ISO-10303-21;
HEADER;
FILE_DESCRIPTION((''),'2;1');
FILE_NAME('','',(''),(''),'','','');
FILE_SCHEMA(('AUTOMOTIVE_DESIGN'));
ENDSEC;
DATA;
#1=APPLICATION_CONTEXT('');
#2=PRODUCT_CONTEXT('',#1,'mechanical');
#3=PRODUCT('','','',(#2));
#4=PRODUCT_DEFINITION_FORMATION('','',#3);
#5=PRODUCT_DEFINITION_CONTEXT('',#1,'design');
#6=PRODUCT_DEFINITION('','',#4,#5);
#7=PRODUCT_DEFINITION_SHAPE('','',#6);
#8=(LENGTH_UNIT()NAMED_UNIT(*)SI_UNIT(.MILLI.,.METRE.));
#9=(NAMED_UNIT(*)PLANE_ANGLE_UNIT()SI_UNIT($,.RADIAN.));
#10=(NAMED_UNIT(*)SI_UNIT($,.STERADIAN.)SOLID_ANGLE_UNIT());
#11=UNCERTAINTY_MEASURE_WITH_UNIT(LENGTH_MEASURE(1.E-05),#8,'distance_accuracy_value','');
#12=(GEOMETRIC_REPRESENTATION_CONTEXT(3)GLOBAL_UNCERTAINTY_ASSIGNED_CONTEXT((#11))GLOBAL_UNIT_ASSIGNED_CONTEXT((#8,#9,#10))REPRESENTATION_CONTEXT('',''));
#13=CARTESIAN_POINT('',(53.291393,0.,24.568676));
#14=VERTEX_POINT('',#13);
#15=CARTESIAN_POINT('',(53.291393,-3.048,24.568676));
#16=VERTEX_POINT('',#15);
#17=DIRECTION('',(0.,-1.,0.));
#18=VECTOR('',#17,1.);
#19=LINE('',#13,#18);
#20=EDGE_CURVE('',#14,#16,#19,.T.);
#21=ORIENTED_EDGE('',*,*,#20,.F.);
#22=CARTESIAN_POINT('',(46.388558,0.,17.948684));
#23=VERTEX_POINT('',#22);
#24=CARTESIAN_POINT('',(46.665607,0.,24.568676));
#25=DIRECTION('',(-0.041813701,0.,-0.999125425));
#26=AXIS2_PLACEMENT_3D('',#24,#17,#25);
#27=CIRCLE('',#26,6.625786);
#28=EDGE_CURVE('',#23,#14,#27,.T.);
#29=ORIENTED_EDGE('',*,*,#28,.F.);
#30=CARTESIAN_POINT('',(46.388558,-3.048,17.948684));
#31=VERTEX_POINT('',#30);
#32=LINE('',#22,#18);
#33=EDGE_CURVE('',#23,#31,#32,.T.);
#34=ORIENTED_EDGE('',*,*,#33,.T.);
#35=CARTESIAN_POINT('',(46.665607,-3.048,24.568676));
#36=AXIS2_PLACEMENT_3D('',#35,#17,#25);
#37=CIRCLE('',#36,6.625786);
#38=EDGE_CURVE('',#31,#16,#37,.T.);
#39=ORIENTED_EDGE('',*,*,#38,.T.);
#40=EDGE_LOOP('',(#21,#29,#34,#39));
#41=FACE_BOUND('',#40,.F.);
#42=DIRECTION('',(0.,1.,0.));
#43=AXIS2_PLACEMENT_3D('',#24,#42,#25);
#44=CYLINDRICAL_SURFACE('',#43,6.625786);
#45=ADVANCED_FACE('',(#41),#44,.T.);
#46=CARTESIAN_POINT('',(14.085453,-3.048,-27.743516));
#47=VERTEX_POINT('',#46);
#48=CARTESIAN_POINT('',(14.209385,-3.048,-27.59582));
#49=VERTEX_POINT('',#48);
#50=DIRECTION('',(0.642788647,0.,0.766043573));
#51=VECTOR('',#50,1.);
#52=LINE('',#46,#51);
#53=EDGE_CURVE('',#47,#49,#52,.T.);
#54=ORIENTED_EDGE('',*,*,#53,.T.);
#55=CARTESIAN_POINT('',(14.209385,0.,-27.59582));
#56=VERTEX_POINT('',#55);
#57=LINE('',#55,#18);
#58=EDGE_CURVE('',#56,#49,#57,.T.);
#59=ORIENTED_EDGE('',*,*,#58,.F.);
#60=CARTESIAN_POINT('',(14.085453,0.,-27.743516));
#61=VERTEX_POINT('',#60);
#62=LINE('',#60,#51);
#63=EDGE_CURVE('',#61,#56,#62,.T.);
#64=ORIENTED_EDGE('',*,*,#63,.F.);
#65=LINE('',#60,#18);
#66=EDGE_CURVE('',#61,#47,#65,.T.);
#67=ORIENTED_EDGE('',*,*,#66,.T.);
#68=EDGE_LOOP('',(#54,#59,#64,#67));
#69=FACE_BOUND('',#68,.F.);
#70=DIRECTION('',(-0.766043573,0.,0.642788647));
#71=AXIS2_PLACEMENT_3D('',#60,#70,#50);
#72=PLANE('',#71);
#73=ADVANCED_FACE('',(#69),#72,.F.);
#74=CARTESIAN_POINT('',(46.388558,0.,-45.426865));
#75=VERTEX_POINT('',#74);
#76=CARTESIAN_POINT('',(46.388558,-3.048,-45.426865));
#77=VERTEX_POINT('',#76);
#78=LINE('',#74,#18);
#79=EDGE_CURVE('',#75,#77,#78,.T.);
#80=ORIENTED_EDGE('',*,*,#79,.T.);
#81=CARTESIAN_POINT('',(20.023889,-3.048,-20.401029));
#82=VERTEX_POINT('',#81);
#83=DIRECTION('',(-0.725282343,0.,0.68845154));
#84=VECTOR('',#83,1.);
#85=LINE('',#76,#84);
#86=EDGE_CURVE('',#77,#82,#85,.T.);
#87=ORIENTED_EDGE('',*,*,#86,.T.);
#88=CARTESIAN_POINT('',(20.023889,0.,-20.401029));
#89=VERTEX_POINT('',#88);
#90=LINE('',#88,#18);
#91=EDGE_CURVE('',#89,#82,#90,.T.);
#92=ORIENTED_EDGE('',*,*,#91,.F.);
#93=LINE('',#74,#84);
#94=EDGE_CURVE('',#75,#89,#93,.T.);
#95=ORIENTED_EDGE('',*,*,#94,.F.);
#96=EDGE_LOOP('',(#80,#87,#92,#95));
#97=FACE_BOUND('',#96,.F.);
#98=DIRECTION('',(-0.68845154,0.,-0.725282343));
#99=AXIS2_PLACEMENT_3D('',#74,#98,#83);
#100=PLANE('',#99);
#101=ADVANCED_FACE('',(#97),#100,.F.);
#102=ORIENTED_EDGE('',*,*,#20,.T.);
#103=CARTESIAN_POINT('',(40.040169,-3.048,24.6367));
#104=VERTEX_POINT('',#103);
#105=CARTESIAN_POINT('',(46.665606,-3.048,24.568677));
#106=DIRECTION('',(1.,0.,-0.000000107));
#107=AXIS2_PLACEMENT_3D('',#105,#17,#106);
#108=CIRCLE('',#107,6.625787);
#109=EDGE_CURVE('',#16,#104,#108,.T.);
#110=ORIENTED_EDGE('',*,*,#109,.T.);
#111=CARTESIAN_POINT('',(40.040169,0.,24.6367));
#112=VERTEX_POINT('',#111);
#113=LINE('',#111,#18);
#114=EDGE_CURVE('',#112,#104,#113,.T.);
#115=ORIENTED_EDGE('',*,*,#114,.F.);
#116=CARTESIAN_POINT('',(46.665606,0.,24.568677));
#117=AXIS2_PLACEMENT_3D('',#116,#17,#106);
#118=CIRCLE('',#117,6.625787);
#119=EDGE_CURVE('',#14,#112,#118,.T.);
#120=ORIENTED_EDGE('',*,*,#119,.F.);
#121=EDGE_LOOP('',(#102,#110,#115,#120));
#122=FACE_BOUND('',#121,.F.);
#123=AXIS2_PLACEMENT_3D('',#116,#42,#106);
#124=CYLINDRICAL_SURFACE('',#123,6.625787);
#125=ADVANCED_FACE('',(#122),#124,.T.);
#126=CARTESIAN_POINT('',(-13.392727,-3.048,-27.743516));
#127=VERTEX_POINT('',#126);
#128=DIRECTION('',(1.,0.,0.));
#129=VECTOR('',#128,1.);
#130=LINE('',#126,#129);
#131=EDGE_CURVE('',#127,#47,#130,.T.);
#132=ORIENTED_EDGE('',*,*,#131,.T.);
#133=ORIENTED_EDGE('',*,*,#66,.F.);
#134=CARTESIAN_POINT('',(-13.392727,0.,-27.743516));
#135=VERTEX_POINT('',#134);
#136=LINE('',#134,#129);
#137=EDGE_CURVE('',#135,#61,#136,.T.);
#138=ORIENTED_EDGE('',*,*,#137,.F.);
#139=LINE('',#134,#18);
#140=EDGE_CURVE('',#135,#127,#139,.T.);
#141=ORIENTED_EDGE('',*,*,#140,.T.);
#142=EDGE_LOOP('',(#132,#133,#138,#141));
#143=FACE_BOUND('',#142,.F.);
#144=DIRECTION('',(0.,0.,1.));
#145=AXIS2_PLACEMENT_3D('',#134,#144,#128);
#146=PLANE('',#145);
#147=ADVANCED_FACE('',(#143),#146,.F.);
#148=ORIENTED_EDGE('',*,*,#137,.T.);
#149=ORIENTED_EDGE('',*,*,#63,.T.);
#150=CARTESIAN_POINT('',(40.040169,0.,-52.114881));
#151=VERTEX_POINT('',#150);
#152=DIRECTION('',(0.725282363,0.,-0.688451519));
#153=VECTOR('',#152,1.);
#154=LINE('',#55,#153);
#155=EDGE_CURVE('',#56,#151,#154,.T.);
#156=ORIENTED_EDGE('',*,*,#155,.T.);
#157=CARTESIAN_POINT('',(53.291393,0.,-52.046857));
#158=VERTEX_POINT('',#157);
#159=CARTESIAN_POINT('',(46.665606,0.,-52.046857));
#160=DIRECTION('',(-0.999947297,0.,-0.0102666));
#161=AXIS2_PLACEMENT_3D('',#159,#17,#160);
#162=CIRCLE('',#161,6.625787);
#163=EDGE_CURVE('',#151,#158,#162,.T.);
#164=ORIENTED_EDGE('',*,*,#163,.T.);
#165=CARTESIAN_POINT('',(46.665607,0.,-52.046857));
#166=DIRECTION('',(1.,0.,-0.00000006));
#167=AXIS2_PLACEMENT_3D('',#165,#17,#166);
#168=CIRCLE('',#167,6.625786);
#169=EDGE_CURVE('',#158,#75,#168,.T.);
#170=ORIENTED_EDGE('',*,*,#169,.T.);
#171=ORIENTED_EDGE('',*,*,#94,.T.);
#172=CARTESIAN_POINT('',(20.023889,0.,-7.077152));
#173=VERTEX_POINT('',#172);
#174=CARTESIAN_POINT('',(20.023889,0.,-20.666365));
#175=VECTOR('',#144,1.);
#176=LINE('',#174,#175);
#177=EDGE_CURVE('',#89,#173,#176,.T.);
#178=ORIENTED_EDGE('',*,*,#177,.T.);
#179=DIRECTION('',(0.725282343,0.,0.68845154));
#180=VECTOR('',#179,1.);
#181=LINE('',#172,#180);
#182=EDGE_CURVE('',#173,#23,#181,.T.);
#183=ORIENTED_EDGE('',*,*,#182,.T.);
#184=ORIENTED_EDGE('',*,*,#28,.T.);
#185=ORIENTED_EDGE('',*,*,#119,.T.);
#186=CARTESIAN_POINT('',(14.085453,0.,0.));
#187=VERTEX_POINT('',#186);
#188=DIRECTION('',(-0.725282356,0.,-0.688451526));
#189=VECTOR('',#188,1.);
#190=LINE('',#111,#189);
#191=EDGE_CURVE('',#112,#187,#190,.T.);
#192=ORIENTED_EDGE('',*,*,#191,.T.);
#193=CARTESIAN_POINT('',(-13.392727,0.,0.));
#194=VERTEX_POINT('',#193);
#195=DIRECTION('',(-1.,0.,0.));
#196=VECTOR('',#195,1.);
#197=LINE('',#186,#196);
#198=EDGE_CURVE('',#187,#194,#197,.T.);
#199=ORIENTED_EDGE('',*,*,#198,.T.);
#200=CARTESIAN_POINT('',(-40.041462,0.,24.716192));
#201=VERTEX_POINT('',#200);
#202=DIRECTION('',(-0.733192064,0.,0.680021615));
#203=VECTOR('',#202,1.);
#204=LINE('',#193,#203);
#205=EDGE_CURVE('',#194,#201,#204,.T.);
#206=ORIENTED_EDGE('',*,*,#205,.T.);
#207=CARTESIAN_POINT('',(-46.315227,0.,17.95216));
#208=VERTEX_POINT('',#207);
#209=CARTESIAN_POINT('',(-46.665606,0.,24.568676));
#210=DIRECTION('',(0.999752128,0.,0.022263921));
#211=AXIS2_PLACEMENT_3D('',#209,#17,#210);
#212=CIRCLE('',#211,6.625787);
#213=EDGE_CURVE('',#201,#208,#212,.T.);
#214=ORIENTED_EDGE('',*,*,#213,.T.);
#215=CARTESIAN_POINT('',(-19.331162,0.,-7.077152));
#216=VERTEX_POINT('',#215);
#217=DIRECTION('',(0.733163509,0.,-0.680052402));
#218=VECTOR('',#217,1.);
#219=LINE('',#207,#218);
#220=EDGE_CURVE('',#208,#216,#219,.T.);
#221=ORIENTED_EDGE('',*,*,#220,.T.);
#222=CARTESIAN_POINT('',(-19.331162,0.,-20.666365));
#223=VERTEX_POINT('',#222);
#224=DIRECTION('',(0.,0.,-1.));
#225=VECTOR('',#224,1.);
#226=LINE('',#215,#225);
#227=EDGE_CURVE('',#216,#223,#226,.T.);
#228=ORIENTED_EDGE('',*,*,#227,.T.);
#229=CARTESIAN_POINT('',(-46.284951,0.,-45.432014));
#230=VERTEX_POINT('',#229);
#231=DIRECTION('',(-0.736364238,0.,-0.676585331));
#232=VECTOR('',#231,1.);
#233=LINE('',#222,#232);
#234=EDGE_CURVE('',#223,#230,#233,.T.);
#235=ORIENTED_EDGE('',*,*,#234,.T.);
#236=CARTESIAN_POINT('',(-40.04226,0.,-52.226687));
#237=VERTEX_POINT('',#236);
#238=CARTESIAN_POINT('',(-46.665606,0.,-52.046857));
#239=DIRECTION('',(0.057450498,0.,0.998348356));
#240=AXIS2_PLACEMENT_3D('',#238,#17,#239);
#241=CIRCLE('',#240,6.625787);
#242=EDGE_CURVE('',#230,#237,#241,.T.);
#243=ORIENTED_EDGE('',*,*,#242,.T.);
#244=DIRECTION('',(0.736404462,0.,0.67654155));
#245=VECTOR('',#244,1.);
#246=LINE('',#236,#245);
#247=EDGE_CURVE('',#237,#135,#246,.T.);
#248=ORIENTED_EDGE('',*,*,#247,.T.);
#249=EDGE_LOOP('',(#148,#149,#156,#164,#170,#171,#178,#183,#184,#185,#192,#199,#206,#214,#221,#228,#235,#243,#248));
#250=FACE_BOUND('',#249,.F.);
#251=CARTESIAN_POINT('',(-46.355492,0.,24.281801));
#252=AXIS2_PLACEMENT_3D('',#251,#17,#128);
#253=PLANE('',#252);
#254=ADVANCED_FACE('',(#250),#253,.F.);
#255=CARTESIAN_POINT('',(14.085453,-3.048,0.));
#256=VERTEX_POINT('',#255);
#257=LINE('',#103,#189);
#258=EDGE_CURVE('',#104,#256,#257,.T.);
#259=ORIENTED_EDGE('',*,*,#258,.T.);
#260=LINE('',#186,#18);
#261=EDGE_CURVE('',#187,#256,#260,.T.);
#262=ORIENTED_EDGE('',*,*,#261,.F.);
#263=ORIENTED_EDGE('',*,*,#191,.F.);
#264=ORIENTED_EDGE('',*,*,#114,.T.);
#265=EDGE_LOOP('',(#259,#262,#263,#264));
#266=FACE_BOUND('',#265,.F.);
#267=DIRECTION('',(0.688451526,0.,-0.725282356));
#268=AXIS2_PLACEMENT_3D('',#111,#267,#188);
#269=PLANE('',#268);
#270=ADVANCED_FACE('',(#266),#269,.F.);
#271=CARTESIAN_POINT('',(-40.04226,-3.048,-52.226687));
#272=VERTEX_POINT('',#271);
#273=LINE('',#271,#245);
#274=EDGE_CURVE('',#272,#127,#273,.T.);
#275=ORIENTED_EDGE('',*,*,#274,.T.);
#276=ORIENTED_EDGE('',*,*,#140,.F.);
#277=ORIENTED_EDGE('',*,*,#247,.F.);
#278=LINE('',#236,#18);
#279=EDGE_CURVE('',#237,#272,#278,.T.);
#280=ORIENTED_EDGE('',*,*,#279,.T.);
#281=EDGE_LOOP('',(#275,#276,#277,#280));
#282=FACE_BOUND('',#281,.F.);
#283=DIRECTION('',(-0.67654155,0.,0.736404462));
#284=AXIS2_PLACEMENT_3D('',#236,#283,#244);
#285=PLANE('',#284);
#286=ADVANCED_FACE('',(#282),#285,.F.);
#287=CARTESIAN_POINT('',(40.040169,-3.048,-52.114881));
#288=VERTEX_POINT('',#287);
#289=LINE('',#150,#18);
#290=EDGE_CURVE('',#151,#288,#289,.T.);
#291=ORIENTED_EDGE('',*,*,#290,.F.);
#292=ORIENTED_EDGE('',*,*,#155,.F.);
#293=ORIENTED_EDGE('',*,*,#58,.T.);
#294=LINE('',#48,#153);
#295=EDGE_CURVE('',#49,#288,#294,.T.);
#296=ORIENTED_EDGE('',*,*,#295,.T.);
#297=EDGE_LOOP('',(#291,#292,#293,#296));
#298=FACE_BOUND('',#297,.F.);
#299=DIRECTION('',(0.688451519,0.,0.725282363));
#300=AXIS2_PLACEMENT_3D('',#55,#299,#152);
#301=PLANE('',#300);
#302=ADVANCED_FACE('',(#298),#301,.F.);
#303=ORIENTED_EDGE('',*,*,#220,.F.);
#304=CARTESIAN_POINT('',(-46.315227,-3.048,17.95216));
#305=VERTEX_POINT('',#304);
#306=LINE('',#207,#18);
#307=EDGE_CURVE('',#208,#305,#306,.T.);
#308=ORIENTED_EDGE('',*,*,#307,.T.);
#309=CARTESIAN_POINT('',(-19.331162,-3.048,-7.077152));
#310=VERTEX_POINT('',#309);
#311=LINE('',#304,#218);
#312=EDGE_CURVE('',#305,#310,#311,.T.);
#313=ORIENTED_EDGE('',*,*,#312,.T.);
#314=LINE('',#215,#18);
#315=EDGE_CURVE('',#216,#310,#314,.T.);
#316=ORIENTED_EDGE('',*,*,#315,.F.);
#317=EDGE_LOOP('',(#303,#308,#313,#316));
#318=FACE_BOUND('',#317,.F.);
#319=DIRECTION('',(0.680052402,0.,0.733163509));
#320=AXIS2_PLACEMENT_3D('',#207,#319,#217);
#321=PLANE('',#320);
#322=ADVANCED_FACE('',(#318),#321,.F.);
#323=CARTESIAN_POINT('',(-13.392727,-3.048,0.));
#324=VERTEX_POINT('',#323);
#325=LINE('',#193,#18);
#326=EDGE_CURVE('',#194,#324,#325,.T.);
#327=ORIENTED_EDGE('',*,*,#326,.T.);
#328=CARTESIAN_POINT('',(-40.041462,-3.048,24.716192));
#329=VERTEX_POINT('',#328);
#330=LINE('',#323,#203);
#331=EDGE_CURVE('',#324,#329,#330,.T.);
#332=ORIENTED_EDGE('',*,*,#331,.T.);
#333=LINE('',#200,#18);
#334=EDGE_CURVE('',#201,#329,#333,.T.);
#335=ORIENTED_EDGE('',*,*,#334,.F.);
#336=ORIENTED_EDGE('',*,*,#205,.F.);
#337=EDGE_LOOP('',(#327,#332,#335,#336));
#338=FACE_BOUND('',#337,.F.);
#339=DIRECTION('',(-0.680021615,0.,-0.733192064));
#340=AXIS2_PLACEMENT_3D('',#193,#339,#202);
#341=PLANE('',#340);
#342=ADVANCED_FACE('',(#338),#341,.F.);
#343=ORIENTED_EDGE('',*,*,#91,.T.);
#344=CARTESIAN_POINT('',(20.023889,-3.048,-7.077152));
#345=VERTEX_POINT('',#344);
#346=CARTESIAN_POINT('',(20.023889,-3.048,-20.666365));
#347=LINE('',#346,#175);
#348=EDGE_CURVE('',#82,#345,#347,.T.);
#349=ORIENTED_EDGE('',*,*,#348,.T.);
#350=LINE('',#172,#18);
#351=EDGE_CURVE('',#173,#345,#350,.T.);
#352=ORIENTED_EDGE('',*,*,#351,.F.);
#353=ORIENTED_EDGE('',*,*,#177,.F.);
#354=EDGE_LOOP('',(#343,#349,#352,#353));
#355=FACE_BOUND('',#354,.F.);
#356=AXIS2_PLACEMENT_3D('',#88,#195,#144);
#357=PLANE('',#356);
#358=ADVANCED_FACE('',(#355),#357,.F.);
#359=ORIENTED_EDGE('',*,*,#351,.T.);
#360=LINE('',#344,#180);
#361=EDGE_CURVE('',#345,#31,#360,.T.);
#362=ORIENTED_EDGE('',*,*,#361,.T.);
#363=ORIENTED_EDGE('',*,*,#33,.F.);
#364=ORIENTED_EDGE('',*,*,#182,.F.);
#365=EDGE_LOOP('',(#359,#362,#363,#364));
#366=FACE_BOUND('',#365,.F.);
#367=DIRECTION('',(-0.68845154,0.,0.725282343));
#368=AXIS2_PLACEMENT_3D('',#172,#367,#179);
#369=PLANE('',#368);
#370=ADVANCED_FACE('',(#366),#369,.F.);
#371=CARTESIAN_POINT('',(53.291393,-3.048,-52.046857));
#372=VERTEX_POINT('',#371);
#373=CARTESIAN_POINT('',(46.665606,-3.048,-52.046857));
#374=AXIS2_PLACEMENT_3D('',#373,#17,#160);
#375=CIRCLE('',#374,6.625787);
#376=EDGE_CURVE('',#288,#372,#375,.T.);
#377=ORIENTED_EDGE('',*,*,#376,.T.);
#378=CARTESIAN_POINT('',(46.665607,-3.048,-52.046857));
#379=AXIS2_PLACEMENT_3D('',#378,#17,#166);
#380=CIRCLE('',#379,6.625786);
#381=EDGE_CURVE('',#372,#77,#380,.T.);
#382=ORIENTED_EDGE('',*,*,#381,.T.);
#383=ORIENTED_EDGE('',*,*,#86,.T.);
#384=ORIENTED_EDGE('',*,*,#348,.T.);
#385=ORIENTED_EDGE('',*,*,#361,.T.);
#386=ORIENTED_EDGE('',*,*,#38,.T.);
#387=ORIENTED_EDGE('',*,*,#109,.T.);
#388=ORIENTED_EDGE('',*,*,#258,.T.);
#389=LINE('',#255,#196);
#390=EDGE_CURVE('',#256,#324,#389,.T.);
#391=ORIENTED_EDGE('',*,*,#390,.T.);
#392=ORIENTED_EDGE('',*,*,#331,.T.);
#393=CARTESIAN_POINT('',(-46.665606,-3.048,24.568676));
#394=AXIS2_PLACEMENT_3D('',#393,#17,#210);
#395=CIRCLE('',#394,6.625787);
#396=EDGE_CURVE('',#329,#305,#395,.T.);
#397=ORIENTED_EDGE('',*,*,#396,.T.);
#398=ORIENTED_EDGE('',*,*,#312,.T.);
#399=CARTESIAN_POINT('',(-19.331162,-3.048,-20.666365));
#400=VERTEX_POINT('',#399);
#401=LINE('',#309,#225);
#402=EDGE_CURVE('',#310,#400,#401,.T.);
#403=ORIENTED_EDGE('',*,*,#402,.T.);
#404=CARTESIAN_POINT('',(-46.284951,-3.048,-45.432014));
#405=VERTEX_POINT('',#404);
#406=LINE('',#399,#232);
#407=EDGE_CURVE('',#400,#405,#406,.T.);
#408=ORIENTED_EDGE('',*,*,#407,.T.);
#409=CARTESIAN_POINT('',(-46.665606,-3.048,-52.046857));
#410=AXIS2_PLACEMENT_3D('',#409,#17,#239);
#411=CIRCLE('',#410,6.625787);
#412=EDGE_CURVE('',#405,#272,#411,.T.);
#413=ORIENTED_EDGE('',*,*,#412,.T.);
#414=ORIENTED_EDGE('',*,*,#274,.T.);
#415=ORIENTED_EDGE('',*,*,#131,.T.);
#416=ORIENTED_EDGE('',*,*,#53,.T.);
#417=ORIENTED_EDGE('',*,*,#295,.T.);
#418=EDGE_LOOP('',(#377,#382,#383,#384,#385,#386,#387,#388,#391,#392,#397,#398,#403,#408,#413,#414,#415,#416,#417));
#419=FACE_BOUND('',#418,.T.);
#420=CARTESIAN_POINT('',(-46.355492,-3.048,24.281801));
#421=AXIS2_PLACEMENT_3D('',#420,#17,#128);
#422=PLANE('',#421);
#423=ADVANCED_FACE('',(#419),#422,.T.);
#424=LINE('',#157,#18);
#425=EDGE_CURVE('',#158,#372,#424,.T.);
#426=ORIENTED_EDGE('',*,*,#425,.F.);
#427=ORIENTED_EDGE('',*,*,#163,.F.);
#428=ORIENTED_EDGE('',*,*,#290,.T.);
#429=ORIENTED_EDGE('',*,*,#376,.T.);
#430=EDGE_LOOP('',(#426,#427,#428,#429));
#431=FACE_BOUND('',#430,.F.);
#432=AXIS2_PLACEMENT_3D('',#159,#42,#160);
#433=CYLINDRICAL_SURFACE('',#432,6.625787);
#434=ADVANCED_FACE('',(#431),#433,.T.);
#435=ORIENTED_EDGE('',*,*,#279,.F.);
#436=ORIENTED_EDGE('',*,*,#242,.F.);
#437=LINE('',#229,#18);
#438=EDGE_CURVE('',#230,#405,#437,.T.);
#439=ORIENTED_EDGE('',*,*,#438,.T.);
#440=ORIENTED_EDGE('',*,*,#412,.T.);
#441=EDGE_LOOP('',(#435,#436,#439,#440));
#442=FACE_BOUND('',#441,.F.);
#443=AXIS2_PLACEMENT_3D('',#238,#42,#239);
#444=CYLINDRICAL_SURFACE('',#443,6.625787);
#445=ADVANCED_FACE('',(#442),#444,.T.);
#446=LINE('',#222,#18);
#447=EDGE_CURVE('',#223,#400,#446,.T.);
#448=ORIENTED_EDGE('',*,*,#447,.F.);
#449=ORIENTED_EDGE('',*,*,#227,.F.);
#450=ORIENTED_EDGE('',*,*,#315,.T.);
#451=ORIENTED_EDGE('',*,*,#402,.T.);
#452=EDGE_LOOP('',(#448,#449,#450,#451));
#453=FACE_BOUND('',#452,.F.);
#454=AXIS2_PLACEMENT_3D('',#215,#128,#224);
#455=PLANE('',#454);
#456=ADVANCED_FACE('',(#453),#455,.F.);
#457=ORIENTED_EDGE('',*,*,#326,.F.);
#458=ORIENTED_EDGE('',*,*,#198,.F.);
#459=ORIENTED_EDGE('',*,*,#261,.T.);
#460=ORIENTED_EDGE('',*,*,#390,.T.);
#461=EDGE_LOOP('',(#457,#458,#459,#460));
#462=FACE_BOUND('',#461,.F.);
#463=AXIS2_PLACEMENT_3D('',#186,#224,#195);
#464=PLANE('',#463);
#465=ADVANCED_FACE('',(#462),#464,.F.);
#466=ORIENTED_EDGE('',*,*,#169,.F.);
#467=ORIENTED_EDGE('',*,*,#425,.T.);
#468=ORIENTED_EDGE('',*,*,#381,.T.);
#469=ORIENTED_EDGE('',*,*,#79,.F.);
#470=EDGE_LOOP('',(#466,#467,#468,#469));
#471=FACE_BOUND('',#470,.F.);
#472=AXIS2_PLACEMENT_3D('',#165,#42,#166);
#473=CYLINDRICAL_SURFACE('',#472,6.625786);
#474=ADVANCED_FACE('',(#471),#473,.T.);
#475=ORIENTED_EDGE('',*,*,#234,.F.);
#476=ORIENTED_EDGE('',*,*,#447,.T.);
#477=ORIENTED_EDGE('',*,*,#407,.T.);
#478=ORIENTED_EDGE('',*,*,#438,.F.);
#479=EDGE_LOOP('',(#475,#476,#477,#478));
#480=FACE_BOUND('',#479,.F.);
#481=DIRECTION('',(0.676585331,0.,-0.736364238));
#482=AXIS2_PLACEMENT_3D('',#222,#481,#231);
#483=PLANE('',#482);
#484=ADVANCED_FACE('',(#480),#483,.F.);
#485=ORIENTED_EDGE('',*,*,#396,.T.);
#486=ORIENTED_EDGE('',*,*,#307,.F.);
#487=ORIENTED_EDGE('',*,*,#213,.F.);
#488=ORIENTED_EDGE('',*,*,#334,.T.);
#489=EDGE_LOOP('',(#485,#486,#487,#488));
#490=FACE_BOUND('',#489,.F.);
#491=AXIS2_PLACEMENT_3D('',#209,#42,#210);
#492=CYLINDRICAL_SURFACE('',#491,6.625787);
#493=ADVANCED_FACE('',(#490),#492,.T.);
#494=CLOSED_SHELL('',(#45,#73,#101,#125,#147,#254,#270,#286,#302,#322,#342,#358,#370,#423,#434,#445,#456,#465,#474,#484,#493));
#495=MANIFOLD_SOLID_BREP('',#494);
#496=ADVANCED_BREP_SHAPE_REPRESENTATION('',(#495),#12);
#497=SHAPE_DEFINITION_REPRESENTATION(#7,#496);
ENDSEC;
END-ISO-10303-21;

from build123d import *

# Parameters (mm, degrees)
F1_DEPTH = 3.048


with BuildPart() as f1:
    # F0 (on Front) → F1 (new body)
    with BuildSketch(Plane.XZ):
        with BuildLine():
            ThreePointArc((-40.039819, 24.568676), (-40.04023, 24.642439), (-40.041462, 24.716192))
            ThreePointArc((-40.041462, 24.716192), (-51.523489, 29.074453), (-46.315227, 17.95216))
            ThreePointArc((-46.315227, 17.95216), (-41.858186, 20.009098), (-40.039819, 24.568676))
        make_face()
        with BuildLine():
            Line((-19.331162, -7.077152), (-13.392727, 0))
            Line((-13.392727, 0), (-40.041462, 24.716192))
            ThreePointArc((-40.041462, 24.716192), (-40.04023, 24.642439), (-40.039819, 24.568676))
            ThreePointArc((-40.039819, 24.568676), (-41.858186, 20.009098), (-46.315227, 17.95216))
            Line((-46.315227, 17.95216), (-19.331162, -7.077152))
        make_face()
        Polygon((14.085453, 0), (-13.392727, 0), (-19.331162, -7.077152), (-19.331162, -20.666365), (-13.392727, -27.743516), (14.085453, -27.743516), (14.209385, -27.59582), (20.023889, -20.666365), (20.023889, -20.401029), (20.023889, -7.077152), align=None)
        with BuildLine():
            Line((40.040169, 24.6367), (14.085453, 0))
            Line((14.085453, 0), (20.023889, -7.077152))
            Line((20.023889, -7.077152), (46.388558, 17.948684))
            ThreePointArc((46.388558, 17.948684), (41.86004, 20.007143), (40.040169, 24.6367))
        make_face()
        with BuildLine():
            ThreePointArc((53.291393, 24.568676), (46.699619, 31.194376), (40.040169, 24.6367))
            ThreePointArc((40.040169, 24.6367), (41.86004, 20.007143), (46.388558, 17.948684))
            ThreePointArc((46.388558, 17.948684), (51.251748, 19.786589), (53.291393, 24.568676))
        make_face()
        with BuildLine():
            Line((46.388558, -45.426865), (20.023889, -20.401029))
            Line((20.023889, -20.401029), (20.023889, -20.666365))
            Line((20.023889, -20.666365), (14.209385, -27.59582))
            Line((14.209385, -27.59582), (40.040169, -52.114881))
            ThreePointArc((40.040169, -52.114881), (41.86004, -47.485324), (46.388558, -45.426865))
        make_face()
        with BuildLine():
            ThreePointArc((53.291393, -52.046857), (51.251748, -47.26477), (46.388558, -45.426865))
            ThreePointArc((46.388558, -45.426865), (41.86004, -47.485324), (40.040169, -52.114881))
            ThreePointArc((40.040169, -52.114881), (46.699619, -58.672556), (53.291393, -52.046857))
        make_face()
        with BuildLine():
            Line((-13.392727, -27.743516), (-19.331162, -20.666365))
            Line((-19.331162, -20.666365), (-46.284951, -45.432014))
            ThreePointArc((-46.284951, -45.432014), (-41.847765, -47.498291), (-40.039819, -52.046857))
            ThreePointArc((-40.039819, -52.046857), (-40.04043, -52.13678), (-40.04226, -52.226687))
            Line((-40.04226, -52.226687), (-13.392727, -27.743516))
        make_face()
        with BuildLine():
            ThreePointArc((-40.039819, -52.046857), (-41.847765, -47.498291), (-46.284951, -45.432014))
            ThreePointArc((-46.284951, -45.432014), (-51.544735, -56.529618), (-40.04226, -52.226687))
            ThreePointArc((-40.04226, -52.226687), (-40.04043, -52.13678), (-40.039819, -52.046857))
        make_face()
    extrude(amount=F1_DEPTH)


solid = f1.part
